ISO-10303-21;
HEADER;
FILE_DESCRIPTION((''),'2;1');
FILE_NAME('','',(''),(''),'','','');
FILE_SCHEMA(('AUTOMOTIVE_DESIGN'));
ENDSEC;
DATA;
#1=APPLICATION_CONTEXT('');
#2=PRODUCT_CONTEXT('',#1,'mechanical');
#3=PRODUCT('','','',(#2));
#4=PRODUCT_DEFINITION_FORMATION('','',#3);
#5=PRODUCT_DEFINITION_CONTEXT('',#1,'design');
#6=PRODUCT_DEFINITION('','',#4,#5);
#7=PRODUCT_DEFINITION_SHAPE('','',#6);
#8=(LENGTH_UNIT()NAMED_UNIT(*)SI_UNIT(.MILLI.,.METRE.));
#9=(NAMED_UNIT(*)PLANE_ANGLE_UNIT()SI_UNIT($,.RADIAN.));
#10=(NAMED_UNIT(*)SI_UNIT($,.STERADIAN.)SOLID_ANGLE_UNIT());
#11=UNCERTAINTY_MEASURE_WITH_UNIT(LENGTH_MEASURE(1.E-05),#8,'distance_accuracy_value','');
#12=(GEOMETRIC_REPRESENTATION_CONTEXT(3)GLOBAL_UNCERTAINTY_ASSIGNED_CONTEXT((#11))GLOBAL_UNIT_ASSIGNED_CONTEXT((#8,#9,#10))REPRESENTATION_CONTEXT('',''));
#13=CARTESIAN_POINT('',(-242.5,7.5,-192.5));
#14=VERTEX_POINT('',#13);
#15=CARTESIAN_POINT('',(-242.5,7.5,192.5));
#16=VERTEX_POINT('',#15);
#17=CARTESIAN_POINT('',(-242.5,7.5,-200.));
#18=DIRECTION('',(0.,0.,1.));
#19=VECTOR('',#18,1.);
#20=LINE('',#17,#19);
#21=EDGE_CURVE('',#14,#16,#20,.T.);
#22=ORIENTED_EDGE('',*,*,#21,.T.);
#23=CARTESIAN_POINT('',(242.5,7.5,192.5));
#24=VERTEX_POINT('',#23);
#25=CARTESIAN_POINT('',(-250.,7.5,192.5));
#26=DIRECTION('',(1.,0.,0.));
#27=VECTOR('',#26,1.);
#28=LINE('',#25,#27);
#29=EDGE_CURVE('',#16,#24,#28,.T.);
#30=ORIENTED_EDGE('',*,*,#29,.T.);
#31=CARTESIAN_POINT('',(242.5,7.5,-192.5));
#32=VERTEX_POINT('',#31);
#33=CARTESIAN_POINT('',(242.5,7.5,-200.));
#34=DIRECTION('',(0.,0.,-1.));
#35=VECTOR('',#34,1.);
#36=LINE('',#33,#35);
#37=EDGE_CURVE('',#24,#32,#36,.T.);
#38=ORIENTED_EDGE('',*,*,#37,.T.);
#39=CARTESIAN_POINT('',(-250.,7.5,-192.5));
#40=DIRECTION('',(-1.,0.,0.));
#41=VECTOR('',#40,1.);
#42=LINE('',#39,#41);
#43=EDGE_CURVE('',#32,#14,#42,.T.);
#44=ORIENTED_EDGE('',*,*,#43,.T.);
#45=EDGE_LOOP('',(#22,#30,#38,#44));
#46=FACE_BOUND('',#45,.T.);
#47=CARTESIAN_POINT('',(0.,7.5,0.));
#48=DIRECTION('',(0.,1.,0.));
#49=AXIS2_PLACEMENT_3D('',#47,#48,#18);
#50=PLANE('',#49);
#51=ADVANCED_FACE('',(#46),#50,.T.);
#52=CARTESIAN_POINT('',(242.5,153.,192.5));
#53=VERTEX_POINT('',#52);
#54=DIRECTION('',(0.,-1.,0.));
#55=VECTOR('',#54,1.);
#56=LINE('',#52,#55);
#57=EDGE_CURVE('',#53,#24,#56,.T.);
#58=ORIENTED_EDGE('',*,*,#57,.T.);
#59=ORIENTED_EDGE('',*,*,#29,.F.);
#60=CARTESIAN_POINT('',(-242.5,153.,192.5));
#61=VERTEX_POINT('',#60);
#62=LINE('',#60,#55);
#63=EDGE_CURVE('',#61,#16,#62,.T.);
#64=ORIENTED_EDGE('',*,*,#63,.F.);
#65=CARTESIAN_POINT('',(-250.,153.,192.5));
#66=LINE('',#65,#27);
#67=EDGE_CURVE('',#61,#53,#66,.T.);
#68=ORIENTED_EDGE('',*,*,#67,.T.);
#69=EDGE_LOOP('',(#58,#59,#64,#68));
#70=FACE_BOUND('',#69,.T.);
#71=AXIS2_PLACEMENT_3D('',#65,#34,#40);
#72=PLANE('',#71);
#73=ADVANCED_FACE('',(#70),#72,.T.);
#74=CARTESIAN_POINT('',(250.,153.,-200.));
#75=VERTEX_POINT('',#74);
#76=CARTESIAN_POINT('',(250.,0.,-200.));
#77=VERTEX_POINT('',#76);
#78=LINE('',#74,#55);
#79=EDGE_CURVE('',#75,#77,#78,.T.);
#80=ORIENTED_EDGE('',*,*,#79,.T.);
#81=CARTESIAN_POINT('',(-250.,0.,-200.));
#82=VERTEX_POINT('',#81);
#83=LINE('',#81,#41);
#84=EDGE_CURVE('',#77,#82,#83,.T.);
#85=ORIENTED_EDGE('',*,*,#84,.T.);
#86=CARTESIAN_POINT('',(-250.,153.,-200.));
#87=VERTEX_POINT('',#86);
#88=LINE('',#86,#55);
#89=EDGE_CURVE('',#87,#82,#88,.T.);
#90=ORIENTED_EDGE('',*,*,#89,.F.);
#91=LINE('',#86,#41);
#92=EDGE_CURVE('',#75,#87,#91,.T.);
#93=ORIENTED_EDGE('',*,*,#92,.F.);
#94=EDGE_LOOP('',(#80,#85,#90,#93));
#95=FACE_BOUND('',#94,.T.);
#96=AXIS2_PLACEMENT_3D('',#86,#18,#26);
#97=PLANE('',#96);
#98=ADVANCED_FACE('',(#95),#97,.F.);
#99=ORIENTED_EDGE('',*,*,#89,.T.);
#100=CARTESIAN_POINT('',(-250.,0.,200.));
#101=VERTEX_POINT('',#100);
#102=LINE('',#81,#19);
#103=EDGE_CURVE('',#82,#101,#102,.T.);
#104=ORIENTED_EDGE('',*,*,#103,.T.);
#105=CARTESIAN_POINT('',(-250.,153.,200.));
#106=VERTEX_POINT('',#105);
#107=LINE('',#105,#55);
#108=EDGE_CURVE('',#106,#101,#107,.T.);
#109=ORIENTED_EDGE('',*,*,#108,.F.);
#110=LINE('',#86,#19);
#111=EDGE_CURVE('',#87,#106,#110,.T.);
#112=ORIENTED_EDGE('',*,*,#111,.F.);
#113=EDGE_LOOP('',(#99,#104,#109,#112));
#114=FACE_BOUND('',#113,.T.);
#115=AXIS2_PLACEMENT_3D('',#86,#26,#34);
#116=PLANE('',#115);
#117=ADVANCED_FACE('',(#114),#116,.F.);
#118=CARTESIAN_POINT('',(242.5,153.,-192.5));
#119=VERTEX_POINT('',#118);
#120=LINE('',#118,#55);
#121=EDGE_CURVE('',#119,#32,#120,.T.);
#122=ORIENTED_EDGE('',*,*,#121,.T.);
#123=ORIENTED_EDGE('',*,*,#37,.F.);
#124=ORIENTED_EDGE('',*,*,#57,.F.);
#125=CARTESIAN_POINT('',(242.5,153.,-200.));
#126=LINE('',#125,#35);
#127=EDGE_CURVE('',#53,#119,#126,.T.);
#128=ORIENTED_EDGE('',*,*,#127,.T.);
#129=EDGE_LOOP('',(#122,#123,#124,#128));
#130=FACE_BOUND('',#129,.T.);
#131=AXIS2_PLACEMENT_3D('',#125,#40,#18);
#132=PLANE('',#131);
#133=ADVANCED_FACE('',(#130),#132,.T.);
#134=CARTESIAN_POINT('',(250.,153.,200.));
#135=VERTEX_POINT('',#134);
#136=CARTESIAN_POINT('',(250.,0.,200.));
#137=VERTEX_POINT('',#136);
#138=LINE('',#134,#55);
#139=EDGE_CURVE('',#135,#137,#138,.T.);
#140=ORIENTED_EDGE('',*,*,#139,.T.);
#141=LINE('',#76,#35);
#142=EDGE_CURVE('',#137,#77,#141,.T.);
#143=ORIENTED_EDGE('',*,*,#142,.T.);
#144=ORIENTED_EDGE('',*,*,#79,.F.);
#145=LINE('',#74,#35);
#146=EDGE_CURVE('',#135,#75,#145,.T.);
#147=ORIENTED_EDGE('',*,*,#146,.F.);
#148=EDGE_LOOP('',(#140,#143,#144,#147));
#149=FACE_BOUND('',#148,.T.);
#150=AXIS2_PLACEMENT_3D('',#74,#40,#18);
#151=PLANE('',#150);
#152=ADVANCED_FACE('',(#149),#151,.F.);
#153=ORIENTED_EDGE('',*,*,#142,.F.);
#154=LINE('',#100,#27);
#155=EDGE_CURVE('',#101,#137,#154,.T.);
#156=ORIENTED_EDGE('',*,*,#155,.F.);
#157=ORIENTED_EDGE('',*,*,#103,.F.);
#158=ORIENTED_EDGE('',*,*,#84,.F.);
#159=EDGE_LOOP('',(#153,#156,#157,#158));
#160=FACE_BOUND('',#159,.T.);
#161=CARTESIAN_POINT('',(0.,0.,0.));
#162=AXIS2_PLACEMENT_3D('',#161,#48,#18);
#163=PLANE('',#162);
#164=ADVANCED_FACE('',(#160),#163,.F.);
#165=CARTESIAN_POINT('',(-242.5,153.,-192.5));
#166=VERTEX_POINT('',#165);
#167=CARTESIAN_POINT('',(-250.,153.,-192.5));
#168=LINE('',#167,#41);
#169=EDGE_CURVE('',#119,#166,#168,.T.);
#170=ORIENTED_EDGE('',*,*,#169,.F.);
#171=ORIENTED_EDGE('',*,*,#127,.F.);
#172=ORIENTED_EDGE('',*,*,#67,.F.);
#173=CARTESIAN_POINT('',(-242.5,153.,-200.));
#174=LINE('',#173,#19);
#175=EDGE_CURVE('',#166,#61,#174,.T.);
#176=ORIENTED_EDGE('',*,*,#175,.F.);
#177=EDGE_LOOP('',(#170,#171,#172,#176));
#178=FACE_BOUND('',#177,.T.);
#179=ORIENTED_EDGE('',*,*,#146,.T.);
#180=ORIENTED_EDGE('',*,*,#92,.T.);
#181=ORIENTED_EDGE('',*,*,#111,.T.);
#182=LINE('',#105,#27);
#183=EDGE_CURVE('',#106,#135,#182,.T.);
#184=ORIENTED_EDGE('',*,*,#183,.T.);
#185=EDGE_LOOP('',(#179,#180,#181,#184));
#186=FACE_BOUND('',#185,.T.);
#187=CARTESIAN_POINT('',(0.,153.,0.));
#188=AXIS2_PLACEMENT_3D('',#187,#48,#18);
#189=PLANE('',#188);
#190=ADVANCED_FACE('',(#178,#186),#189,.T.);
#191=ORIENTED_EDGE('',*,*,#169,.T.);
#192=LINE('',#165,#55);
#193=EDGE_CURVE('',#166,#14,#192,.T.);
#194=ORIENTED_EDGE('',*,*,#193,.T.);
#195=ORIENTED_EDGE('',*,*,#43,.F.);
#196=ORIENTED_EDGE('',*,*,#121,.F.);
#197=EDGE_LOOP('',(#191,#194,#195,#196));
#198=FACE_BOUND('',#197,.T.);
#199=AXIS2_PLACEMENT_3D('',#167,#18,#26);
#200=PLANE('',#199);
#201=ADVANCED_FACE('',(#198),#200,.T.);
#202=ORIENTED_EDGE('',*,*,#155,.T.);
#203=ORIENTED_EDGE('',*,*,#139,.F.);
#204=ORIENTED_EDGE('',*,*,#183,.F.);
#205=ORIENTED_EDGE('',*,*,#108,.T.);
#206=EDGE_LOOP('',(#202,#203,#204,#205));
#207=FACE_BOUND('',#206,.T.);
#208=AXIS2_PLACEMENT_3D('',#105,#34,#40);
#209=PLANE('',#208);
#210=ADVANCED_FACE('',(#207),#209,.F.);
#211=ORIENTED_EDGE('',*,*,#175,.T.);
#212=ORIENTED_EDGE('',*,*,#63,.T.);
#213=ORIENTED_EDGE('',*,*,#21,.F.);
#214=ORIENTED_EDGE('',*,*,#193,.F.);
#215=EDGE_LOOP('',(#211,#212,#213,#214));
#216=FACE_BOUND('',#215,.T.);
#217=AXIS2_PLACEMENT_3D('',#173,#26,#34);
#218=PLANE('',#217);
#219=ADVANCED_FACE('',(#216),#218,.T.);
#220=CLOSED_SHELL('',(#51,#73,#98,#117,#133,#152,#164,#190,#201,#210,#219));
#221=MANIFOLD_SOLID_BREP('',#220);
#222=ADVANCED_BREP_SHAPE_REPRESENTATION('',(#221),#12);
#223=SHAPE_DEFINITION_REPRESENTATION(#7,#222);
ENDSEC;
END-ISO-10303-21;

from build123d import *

# Parameters (mm, degrees)
SKETCH1_W           = 500
SKETCH1_H           = 400
BOSS_EXTRUDE1_DEPTH = 153
SHELL1_T            = -7.5


with BuildPart() as part:
    # Sketch1 → Boss-Extrude1 (new body)
    with BuildSketch(Plane(origin=(0, 0, 0), x_dir=(1, 0, 0), z_dir=(0, 1, 0))):
        Rectangle(SKETCH1_W, SKETCH1_H)
    extrude(amount=BOSS_EXTRUDE1_DEPTH)

    # Shell1
    shell1_openings = [part.faces().sort_by_distance(p)[0] for p in [
        (0, 153, 0),
    ]]
    offset(amount=SHELL1_T, openings=shell1_openings, kind=Kind.INTERSECTION)


solid = part.part
